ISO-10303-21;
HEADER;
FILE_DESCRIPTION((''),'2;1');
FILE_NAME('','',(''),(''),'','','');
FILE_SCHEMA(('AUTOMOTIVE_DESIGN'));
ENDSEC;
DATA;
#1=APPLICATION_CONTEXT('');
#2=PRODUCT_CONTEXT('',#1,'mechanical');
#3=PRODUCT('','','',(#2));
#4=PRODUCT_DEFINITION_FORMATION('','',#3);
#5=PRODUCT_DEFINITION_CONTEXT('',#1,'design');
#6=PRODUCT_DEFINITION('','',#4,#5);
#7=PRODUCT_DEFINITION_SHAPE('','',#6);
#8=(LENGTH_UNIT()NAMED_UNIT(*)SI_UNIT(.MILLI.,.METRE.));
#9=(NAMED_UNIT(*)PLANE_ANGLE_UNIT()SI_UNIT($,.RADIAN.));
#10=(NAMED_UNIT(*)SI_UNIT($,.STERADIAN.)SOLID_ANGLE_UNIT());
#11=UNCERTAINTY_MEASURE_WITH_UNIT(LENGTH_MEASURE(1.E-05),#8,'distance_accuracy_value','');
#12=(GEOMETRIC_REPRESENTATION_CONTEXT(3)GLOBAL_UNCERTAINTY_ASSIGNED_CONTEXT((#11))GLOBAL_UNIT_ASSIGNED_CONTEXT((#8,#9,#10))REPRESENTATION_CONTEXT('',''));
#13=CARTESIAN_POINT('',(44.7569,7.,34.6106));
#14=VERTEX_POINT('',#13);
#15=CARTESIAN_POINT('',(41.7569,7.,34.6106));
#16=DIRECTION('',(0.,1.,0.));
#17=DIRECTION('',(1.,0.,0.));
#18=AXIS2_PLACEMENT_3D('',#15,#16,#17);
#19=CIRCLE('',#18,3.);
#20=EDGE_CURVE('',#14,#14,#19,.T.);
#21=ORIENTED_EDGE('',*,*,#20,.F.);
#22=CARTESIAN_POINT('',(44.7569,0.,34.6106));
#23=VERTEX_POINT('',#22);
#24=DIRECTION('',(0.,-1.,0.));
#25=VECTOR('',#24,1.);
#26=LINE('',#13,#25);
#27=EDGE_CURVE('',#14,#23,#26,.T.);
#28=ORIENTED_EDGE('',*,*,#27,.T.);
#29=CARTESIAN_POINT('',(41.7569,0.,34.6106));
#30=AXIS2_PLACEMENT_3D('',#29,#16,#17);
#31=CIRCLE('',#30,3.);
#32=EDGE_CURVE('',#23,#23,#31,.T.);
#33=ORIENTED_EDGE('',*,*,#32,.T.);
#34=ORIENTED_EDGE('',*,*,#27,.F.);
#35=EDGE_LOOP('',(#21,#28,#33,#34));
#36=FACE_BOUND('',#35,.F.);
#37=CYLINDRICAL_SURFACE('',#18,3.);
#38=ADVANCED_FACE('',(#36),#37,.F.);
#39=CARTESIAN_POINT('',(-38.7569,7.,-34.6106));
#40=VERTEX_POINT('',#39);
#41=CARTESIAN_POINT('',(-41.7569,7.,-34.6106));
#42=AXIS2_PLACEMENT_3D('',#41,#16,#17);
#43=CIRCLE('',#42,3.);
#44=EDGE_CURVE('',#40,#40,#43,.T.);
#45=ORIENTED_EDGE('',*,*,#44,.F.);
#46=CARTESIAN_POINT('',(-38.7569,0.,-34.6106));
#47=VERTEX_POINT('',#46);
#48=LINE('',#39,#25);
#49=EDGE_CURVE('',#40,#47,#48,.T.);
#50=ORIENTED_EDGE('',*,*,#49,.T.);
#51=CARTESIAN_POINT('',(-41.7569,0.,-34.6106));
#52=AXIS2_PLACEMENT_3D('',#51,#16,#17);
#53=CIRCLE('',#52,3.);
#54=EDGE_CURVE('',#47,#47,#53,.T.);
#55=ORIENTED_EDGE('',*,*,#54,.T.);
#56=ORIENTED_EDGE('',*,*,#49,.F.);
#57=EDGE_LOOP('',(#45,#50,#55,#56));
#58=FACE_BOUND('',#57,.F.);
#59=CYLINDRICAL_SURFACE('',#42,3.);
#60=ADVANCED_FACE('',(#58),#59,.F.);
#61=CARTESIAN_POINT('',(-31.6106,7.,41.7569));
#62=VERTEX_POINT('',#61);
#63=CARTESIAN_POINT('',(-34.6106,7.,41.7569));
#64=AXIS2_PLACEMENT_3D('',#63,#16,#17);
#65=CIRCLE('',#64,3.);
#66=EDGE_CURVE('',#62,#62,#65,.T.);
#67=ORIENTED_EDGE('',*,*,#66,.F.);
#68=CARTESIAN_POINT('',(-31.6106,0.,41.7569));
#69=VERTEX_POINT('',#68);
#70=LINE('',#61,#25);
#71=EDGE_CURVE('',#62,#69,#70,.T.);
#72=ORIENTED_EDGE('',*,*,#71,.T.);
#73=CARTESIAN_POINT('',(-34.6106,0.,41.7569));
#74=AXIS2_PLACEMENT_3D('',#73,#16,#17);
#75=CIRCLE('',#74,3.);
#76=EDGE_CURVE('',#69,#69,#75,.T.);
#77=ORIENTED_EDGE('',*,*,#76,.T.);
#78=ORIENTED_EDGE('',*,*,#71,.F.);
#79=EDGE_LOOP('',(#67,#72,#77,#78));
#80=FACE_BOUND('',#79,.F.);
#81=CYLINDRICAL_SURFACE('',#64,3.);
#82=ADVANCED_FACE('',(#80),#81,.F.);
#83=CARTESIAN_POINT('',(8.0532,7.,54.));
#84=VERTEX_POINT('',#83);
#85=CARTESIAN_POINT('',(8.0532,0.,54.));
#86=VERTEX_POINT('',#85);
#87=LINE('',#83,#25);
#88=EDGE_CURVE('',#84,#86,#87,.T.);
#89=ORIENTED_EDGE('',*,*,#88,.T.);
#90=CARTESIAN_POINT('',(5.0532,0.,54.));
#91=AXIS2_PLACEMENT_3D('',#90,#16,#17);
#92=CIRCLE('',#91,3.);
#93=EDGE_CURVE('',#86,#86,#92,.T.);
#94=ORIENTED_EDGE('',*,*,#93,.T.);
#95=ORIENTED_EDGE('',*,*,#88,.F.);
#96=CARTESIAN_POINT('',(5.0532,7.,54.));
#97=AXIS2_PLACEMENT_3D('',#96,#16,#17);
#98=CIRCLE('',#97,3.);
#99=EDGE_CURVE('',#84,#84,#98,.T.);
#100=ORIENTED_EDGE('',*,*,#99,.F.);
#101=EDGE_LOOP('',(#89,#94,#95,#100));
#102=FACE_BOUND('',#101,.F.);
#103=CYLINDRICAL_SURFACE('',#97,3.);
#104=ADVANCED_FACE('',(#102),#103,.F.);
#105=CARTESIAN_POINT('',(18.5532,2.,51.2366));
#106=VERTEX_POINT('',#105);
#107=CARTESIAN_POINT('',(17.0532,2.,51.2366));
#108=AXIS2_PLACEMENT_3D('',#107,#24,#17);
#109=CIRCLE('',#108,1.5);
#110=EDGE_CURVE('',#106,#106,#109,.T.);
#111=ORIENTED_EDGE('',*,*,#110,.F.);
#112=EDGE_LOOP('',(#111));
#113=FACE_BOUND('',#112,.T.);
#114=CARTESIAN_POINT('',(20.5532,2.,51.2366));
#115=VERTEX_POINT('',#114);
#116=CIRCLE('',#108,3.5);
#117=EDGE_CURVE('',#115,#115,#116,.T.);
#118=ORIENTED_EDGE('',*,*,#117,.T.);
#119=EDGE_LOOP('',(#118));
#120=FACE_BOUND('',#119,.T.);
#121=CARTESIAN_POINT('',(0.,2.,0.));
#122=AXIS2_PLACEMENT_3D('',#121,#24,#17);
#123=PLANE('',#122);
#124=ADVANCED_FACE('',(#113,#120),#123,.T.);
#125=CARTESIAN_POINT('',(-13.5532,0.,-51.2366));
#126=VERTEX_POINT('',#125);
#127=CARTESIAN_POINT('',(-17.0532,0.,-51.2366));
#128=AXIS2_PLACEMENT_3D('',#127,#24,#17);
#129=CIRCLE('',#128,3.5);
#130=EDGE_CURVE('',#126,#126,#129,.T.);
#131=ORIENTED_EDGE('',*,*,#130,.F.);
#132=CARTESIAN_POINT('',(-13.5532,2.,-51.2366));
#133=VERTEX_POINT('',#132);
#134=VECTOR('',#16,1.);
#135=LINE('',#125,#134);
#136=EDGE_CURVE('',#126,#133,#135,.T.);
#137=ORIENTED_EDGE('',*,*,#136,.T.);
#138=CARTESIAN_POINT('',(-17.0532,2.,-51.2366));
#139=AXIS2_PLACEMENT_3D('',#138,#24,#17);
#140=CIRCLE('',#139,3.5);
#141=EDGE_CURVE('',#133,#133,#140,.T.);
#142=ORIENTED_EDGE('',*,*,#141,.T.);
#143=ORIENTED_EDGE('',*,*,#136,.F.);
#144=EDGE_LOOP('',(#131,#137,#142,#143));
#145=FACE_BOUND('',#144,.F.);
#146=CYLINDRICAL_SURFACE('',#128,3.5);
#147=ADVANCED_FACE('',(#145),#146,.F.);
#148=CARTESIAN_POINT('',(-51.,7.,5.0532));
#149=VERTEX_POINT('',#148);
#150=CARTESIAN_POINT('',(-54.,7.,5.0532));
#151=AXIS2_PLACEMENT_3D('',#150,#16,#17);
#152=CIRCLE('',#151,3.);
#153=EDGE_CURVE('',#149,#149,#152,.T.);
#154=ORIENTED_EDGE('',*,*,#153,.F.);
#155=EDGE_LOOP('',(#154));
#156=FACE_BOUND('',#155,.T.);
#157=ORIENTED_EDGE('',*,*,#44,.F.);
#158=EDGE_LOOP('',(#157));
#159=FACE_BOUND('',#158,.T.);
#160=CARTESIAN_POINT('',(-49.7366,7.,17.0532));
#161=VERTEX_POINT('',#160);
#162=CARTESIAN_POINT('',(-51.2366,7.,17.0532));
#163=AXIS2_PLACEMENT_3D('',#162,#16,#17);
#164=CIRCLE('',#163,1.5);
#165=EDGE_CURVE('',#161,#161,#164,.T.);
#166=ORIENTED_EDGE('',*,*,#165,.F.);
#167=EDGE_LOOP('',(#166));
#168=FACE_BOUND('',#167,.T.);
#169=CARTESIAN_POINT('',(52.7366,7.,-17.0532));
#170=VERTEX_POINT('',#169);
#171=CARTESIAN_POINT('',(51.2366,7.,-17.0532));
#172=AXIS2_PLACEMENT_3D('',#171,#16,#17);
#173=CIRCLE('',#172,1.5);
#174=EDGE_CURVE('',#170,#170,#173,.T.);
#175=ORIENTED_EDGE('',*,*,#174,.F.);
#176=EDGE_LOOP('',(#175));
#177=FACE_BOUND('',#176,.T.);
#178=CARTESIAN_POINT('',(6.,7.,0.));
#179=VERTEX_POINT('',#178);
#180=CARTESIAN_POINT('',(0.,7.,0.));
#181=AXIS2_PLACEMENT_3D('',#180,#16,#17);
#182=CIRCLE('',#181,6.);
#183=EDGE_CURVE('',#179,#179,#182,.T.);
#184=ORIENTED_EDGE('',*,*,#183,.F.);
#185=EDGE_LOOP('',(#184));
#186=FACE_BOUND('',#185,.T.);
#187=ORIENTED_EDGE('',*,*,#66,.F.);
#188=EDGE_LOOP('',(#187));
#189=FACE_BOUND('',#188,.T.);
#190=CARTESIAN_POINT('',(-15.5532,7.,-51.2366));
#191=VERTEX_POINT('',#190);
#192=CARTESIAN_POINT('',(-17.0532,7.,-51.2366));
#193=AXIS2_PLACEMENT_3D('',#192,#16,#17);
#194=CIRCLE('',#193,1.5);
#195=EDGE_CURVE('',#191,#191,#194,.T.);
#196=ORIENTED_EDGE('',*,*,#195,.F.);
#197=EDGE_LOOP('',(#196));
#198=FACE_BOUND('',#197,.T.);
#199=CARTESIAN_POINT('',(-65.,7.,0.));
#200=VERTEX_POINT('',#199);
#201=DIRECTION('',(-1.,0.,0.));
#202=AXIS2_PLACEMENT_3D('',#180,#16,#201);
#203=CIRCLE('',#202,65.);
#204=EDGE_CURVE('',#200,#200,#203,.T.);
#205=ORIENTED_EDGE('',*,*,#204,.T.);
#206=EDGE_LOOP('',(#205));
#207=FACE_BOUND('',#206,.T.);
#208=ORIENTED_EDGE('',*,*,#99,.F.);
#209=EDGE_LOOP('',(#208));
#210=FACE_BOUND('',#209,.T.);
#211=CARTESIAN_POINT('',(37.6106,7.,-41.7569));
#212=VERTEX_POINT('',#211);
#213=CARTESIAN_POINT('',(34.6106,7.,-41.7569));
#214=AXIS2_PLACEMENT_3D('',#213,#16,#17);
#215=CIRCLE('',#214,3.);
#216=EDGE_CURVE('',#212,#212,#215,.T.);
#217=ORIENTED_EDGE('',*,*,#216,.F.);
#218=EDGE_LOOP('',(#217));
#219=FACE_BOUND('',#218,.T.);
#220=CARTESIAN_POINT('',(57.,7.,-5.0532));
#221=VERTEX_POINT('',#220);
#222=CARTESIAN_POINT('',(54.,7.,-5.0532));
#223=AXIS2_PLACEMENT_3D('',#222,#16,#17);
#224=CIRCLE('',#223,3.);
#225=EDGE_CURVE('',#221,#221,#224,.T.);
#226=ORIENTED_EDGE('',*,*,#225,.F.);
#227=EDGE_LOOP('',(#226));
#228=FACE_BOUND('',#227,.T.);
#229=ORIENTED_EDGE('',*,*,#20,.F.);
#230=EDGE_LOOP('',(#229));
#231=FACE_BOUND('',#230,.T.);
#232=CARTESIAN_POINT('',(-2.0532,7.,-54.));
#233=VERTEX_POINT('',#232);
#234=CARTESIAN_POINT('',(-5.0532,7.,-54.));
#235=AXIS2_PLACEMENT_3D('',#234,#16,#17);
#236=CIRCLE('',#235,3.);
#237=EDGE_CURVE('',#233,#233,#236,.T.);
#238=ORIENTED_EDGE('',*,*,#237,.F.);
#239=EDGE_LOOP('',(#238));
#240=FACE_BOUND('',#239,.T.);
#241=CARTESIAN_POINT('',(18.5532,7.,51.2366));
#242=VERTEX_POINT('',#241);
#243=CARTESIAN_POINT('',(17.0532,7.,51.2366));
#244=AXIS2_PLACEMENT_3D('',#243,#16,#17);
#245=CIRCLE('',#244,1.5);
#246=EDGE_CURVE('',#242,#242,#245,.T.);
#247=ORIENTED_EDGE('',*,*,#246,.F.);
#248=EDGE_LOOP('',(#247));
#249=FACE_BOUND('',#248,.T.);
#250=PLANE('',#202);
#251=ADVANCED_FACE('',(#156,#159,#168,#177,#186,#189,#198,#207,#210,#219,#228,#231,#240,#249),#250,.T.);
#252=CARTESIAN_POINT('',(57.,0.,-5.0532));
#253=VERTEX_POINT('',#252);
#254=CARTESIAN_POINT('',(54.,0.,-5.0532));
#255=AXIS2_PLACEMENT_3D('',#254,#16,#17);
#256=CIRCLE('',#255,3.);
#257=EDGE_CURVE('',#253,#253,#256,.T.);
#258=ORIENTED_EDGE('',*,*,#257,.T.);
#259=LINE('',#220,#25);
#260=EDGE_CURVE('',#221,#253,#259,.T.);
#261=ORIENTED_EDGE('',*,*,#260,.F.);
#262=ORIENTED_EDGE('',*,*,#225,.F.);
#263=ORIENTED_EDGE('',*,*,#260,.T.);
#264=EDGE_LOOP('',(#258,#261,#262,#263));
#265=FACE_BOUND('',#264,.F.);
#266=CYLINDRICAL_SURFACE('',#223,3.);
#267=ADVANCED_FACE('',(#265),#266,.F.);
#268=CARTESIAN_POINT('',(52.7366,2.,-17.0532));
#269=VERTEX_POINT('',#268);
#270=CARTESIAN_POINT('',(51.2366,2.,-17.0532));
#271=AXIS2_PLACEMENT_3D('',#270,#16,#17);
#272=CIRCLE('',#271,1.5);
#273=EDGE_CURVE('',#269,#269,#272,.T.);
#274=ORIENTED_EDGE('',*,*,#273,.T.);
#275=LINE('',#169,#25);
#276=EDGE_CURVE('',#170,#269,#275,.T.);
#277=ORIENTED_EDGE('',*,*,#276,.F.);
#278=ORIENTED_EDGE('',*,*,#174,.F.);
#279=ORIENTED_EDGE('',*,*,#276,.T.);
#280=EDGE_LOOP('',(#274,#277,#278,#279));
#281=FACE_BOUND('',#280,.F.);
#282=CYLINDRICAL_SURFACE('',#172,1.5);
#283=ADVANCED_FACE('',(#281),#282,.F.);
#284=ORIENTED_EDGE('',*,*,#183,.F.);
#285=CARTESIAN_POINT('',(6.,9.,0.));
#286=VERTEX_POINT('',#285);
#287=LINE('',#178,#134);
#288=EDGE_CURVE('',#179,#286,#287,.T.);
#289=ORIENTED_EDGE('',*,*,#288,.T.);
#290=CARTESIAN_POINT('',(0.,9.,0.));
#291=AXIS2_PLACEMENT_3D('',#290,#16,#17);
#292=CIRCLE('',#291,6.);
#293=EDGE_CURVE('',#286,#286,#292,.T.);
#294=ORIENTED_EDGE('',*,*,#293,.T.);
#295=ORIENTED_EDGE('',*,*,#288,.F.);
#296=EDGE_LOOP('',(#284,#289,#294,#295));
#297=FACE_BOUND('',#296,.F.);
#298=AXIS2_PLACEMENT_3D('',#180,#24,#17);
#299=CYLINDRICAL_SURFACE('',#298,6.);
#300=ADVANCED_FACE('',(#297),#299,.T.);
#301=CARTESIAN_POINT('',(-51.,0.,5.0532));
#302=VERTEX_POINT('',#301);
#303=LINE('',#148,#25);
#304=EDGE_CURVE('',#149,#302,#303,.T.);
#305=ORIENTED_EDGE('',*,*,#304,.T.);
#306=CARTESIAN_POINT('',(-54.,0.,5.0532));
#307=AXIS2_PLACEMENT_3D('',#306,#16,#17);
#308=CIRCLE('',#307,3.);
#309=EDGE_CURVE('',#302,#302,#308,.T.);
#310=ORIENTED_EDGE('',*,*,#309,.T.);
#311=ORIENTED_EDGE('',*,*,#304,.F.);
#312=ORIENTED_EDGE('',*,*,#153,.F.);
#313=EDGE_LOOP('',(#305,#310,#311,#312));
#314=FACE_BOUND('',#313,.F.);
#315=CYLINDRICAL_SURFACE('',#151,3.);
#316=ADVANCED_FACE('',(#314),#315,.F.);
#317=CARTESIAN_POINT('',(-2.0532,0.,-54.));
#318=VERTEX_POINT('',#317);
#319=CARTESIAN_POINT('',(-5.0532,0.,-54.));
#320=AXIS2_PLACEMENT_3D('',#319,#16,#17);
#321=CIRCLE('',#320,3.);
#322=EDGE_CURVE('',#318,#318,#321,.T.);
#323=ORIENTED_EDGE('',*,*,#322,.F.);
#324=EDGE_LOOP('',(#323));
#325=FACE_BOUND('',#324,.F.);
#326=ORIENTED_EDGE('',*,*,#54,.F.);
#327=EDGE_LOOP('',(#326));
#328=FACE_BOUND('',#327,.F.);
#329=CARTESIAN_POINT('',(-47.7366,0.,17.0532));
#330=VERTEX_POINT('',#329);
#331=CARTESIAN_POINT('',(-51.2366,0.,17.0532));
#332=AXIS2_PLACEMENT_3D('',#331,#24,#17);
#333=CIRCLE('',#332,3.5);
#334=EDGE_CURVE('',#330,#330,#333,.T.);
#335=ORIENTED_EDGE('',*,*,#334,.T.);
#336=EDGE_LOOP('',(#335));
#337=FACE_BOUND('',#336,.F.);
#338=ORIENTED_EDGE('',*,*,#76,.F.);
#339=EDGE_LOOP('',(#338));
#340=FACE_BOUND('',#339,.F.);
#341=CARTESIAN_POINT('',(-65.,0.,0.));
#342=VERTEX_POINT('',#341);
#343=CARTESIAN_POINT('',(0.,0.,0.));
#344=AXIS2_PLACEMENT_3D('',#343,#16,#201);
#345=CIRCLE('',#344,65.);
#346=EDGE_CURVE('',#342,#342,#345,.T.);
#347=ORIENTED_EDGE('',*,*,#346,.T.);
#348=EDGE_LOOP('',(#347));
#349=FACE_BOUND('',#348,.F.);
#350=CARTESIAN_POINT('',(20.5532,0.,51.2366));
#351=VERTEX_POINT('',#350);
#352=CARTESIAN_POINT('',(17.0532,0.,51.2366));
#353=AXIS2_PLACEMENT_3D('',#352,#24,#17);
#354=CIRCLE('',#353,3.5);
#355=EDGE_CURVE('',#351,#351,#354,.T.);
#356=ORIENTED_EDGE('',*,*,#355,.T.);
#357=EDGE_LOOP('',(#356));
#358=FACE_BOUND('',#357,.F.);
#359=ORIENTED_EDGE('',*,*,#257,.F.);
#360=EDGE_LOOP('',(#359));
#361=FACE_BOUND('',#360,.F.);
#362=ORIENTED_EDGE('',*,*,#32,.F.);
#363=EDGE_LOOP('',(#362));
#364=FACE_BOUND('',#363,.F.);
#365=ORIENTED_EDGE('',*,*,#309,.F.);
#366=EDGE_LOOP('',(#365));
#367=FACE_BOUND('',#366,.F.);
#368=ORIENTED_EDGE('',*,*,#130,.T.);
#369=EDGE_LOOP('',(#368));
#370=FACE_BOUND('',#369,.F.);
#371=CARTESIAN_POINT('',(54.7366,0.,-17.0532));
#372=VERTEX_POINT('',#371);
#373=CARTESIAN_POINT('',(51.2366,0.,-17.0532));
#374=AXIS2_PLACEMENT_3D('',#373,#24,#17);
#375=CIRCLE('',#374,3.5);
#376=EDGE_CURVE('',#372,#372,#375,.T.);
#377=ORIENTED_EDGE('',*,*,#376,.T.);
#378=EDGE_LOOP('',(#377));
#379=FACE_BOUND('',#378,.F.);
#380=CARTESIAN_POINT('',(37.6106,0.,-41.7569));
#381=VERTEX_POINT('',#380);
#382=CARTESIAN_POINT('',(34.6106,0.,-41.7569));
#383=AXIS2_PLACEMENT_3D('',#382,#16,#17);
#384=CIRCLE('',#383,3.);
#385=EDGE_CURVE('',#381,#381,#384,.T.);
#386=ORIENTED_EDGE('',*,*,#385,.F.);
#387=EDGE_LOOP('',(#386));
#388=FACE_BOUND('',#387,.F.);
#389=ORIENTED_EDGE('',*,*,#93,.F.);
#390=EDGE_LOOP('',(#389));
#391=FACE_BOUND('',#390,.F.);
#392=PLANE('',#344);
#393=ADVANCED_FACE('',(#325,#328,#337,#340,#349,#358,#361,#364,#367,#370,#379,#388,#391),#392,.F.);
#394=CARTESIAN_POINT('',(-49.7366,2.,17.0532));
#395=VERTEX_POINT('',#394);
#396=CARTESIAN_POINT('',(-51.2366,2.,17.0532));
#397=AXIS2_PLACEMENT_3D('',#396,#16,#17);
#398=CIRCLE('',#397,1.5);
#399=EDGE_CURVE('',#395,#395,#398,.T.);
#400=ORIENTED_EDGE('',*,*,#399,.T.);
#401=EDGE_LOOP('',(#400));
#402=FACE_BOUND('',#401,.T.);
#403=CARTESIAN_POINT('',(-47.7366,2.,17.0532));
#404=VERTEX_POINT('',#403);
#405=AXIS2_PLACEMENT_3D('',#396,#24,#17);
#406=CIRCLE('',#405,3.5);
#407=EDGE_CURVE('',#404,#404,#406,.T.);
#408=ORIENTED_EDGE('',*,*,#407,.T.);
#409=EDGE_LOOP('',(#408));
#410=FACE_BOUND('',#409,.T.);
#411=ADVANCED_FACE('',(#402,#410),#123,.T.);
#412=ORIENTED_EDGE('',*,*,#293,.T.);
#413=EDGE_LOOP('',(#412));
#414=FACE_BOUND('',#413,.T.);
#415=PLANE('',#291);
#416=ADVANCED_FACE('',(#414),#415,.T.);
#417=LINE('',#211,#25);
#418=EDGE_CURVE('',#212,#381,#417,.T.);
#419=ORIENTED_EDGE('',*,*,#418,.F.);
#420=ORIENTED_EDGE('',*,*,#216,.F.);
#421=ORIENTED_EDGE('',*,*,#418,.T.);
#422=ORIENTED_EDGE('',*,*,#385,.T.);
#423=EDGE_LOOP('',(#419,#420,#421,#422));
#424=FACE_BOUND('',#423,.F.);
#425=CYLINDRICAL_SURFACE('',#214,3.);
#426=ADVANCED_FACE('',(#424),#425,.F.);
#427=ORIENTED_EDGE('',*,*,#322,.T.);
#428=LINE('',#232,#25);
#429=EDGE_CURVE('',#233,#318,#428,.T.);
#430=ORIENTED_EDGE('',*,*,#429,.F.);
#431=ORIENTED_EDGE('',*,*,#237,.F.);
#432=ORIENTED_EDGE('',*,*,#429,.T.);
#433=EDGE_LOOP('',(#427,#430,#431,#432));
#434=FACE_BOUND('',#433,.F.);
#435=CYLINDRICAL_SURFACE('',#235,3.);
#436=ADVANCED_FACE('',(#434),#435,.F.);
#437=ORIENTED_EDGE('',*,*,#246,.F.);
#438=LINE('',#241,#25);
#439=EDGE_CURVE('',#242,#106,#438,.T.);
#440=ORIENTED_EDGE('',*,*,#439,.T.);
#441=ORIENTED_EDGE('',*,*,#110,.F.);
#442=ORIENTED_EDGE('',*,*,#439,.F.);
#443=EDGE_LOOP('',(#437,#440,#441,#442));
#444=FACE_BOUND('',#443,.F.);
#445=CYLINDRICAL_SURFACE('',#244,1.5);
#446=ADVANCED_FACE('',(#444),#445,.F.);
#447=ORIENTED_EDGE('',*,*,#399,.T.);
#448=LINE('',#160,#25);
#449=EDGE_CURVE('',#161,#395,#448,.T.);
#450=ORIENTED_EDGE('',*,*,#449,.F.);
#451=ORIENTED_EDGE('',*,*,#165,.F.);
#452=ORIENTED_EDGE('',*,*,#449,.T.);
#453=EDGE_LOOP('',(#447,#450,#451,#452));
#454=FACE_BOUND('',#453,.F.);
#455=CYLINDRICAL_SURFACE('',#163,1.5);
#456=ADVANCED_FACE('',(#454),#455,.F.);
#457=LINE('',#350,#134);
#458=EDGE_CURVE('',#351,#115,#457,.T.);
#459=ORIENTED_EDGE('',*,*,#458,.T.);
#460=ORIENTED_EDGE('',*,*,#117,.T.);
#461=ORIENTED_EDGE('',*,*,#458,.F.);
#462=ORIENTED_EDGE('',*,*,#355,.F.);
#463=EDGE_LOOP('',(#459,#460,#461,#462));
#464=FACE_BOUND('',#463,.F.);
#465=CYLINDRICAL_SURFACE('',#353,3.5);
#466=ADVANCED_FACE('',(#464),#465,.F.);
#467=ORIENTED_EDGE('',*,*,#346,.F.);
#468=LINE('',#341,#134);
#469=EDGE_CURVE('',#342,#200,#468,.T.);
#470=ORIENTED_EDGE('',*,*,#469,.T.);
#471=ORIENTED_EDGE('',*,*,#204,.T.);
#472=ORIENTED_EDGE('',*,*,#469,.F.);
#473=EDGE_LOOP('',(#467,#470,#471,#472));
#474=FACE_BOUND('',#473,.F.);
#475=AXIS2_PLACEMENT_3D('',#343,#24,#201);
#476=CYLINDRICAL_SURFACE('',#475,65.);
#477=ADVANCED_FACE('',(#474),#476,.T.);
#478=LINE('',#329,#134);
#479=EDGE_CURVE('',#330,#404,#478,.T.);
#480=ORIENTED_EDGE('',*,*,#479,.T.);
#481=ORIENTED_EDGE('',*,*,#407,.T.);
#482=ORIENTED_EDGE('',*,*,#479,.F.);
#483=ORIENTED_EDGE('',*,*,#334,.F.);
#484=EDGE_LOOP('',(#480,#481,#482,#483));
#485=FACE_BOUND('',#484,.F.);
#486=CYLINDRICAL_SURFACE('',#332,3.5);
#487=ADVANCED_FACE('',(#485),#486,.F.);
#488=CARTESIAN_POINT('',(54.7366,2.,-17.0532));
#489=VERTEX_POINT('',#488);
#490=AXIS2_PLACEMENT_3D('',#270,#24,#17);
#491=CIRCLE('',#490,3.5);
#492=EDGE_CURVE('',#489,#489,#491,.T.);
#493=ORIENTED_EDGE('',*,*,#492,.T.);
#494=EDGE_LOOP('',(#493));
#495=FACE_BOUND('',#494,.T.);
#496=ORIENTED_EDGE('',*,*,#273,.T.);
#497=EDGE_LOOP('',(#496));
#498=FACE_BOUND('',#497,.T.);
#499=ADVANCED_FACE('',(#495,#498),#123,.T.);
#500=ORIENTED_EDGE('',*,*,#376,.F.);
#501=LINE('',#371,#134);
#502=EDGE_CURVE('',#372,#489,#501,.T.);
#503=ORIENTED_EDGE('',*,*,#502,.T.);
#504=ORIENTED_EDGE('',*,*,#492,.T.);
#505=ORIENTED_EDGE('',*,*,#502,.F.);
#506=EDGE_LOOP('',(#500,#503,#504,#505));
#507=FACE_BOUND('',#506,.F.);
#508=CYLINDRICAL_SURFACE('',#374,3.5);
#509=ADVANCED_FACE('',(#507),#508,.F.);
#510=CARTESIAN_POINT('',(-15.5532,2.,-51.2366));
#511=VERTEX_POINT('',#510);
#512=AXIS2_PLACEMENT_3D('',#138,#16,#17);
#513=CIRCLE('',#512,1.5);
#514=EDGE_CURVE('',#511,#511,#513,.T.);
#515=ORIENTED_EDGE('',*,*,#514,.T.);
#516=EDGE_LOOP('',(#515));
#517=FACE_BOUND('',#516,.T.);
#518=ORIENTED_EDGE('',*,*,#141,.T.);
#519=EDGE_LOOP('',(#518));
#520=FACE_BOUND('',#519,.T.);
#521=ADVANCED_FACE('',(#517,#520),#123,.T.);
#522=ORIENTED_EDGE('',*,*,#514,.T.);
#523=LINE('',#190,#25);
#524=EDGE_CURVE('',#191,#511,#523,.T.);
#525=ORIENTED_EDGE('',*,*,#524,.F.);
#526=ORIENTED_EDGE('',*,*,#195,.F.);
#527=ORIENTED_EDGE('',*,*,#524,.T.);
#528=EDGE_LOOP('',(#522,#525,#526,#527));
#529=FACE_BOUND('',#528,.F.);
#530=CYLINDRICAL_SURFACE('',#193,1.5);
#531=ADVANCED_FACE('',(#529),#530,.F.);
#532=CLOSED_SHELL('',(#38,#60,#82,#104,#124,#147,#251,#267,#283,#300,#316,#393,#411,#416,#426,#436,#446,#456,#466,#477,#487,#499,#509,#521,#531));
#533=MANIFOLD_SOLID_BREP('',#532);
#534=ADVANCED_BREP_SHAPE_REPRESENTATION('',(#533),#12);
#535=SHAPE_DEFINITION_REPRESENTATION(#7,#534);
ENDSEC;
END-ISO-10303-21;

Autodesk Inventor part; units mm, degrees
ref_plane "YZ Plane" through (0, 0, 0) normal (1, 0, 0) x (0, 1, 0)
ref_plane "XZ Plane" through (0, 0, 0) normal (0, 1, 0) x (-1, 0, 0)
ref_plane "XY Plane" through (0, 0, 0) normal (0, 0, 1) x (1, 0, 0)
sketch "Sketch1" plane through (0, 0, 0) normal (0, 1, 0) x (-1, 0, 0)
  circle A0 centre (0, 0) radius 65
  dimension "d0" = 130
extrude "Extrusion1" add sketch "Sketch1" along normal blind 7
sketch "Sketch2" plane through (0, 7, 0) normal (0, 1, 0) x (1, 0, 0)
  circle A0 centre (-54, -5.0532) radius 3
  circle A1 centre (-34.6106, -41.7569) radius 3
  circle A2 centre (5.0532, -54) radius 3
  circle A3 centre (41.7569, -34.6106) radius 3
  circle A4 centre (54, 5.0532) radius 3
  circle A5 centre (34.6106, 41.7569) radius 3
  circle A6 centre (-5.0532, 54) radius 3
  circle A7 centre (-41.7569, 34.6106) radius 3
  point P0 (0, 0)
  dimension "d3" = 6
  dimension "d4" = 54
  dimension "d7" = 360
extrude "Extrusion2" cut sketch "Sketch2" against normal through all
sketch "Sketch3" plane through (0, 7, 0) normal (0, 1, 0) x (1, 0, 0)
  circle A0 centre (-51.2366, -17.0532) radius 1.5
  circle A1 centre (-54, -5.0532) radius 3 projected
  circle A2 centre (17.0532, -51.2366) radius 1.5
  circle A3 centre (51.2366, 17.0532) radius 1.5
  circle A4 centre (-17.0532, 51.2366) radius 1.5
  circle A5 centre (-34.6106, -41.7569) radius 3 projected
  point P0 (0, 0)
  dimension "d13" = 3
  dimension "d16" = 360
  dimension "d31" = 12
  dimension "d33" = 54
extrude "Extrusion3" cut sketch "Sketch3" against normal through all contours A0 | A2 | A3 | A4
sketch "Sketch4" plane through (0, 0, 0) normal (0, -1, 0) x (1, 0, 0)
  circle A0 centre (17.0532, 51.2366) radius 3.5
  circle A1 centre (17.0532, 51.2366) radius 1.5 projected
  circle A2 centre (-51.2366, 17.0532) radius 3.5
  circle A3 centre (-17.0532, -51.2366) radius 3.5
  circle A4 centre (51.2366, -17.0532) radius 3.5
  point P0 (0, 0)
  dimension "d20" = 7
  dimension "d23" = 360
extrude "Extrusion4" cut sketch "Sketch4" against normal blind 2
sketch "Sketch5" plane through (0, 7, 0) normal (0, 1, 0) x (1, 0, 0)
  circle A0 centre (0, 0) radius 6
  dimension "d27" = 12
extrude "Extrusion5" add sketch "Sketch5" along normal blind 2
properties part number "bay container 8 bottom"
